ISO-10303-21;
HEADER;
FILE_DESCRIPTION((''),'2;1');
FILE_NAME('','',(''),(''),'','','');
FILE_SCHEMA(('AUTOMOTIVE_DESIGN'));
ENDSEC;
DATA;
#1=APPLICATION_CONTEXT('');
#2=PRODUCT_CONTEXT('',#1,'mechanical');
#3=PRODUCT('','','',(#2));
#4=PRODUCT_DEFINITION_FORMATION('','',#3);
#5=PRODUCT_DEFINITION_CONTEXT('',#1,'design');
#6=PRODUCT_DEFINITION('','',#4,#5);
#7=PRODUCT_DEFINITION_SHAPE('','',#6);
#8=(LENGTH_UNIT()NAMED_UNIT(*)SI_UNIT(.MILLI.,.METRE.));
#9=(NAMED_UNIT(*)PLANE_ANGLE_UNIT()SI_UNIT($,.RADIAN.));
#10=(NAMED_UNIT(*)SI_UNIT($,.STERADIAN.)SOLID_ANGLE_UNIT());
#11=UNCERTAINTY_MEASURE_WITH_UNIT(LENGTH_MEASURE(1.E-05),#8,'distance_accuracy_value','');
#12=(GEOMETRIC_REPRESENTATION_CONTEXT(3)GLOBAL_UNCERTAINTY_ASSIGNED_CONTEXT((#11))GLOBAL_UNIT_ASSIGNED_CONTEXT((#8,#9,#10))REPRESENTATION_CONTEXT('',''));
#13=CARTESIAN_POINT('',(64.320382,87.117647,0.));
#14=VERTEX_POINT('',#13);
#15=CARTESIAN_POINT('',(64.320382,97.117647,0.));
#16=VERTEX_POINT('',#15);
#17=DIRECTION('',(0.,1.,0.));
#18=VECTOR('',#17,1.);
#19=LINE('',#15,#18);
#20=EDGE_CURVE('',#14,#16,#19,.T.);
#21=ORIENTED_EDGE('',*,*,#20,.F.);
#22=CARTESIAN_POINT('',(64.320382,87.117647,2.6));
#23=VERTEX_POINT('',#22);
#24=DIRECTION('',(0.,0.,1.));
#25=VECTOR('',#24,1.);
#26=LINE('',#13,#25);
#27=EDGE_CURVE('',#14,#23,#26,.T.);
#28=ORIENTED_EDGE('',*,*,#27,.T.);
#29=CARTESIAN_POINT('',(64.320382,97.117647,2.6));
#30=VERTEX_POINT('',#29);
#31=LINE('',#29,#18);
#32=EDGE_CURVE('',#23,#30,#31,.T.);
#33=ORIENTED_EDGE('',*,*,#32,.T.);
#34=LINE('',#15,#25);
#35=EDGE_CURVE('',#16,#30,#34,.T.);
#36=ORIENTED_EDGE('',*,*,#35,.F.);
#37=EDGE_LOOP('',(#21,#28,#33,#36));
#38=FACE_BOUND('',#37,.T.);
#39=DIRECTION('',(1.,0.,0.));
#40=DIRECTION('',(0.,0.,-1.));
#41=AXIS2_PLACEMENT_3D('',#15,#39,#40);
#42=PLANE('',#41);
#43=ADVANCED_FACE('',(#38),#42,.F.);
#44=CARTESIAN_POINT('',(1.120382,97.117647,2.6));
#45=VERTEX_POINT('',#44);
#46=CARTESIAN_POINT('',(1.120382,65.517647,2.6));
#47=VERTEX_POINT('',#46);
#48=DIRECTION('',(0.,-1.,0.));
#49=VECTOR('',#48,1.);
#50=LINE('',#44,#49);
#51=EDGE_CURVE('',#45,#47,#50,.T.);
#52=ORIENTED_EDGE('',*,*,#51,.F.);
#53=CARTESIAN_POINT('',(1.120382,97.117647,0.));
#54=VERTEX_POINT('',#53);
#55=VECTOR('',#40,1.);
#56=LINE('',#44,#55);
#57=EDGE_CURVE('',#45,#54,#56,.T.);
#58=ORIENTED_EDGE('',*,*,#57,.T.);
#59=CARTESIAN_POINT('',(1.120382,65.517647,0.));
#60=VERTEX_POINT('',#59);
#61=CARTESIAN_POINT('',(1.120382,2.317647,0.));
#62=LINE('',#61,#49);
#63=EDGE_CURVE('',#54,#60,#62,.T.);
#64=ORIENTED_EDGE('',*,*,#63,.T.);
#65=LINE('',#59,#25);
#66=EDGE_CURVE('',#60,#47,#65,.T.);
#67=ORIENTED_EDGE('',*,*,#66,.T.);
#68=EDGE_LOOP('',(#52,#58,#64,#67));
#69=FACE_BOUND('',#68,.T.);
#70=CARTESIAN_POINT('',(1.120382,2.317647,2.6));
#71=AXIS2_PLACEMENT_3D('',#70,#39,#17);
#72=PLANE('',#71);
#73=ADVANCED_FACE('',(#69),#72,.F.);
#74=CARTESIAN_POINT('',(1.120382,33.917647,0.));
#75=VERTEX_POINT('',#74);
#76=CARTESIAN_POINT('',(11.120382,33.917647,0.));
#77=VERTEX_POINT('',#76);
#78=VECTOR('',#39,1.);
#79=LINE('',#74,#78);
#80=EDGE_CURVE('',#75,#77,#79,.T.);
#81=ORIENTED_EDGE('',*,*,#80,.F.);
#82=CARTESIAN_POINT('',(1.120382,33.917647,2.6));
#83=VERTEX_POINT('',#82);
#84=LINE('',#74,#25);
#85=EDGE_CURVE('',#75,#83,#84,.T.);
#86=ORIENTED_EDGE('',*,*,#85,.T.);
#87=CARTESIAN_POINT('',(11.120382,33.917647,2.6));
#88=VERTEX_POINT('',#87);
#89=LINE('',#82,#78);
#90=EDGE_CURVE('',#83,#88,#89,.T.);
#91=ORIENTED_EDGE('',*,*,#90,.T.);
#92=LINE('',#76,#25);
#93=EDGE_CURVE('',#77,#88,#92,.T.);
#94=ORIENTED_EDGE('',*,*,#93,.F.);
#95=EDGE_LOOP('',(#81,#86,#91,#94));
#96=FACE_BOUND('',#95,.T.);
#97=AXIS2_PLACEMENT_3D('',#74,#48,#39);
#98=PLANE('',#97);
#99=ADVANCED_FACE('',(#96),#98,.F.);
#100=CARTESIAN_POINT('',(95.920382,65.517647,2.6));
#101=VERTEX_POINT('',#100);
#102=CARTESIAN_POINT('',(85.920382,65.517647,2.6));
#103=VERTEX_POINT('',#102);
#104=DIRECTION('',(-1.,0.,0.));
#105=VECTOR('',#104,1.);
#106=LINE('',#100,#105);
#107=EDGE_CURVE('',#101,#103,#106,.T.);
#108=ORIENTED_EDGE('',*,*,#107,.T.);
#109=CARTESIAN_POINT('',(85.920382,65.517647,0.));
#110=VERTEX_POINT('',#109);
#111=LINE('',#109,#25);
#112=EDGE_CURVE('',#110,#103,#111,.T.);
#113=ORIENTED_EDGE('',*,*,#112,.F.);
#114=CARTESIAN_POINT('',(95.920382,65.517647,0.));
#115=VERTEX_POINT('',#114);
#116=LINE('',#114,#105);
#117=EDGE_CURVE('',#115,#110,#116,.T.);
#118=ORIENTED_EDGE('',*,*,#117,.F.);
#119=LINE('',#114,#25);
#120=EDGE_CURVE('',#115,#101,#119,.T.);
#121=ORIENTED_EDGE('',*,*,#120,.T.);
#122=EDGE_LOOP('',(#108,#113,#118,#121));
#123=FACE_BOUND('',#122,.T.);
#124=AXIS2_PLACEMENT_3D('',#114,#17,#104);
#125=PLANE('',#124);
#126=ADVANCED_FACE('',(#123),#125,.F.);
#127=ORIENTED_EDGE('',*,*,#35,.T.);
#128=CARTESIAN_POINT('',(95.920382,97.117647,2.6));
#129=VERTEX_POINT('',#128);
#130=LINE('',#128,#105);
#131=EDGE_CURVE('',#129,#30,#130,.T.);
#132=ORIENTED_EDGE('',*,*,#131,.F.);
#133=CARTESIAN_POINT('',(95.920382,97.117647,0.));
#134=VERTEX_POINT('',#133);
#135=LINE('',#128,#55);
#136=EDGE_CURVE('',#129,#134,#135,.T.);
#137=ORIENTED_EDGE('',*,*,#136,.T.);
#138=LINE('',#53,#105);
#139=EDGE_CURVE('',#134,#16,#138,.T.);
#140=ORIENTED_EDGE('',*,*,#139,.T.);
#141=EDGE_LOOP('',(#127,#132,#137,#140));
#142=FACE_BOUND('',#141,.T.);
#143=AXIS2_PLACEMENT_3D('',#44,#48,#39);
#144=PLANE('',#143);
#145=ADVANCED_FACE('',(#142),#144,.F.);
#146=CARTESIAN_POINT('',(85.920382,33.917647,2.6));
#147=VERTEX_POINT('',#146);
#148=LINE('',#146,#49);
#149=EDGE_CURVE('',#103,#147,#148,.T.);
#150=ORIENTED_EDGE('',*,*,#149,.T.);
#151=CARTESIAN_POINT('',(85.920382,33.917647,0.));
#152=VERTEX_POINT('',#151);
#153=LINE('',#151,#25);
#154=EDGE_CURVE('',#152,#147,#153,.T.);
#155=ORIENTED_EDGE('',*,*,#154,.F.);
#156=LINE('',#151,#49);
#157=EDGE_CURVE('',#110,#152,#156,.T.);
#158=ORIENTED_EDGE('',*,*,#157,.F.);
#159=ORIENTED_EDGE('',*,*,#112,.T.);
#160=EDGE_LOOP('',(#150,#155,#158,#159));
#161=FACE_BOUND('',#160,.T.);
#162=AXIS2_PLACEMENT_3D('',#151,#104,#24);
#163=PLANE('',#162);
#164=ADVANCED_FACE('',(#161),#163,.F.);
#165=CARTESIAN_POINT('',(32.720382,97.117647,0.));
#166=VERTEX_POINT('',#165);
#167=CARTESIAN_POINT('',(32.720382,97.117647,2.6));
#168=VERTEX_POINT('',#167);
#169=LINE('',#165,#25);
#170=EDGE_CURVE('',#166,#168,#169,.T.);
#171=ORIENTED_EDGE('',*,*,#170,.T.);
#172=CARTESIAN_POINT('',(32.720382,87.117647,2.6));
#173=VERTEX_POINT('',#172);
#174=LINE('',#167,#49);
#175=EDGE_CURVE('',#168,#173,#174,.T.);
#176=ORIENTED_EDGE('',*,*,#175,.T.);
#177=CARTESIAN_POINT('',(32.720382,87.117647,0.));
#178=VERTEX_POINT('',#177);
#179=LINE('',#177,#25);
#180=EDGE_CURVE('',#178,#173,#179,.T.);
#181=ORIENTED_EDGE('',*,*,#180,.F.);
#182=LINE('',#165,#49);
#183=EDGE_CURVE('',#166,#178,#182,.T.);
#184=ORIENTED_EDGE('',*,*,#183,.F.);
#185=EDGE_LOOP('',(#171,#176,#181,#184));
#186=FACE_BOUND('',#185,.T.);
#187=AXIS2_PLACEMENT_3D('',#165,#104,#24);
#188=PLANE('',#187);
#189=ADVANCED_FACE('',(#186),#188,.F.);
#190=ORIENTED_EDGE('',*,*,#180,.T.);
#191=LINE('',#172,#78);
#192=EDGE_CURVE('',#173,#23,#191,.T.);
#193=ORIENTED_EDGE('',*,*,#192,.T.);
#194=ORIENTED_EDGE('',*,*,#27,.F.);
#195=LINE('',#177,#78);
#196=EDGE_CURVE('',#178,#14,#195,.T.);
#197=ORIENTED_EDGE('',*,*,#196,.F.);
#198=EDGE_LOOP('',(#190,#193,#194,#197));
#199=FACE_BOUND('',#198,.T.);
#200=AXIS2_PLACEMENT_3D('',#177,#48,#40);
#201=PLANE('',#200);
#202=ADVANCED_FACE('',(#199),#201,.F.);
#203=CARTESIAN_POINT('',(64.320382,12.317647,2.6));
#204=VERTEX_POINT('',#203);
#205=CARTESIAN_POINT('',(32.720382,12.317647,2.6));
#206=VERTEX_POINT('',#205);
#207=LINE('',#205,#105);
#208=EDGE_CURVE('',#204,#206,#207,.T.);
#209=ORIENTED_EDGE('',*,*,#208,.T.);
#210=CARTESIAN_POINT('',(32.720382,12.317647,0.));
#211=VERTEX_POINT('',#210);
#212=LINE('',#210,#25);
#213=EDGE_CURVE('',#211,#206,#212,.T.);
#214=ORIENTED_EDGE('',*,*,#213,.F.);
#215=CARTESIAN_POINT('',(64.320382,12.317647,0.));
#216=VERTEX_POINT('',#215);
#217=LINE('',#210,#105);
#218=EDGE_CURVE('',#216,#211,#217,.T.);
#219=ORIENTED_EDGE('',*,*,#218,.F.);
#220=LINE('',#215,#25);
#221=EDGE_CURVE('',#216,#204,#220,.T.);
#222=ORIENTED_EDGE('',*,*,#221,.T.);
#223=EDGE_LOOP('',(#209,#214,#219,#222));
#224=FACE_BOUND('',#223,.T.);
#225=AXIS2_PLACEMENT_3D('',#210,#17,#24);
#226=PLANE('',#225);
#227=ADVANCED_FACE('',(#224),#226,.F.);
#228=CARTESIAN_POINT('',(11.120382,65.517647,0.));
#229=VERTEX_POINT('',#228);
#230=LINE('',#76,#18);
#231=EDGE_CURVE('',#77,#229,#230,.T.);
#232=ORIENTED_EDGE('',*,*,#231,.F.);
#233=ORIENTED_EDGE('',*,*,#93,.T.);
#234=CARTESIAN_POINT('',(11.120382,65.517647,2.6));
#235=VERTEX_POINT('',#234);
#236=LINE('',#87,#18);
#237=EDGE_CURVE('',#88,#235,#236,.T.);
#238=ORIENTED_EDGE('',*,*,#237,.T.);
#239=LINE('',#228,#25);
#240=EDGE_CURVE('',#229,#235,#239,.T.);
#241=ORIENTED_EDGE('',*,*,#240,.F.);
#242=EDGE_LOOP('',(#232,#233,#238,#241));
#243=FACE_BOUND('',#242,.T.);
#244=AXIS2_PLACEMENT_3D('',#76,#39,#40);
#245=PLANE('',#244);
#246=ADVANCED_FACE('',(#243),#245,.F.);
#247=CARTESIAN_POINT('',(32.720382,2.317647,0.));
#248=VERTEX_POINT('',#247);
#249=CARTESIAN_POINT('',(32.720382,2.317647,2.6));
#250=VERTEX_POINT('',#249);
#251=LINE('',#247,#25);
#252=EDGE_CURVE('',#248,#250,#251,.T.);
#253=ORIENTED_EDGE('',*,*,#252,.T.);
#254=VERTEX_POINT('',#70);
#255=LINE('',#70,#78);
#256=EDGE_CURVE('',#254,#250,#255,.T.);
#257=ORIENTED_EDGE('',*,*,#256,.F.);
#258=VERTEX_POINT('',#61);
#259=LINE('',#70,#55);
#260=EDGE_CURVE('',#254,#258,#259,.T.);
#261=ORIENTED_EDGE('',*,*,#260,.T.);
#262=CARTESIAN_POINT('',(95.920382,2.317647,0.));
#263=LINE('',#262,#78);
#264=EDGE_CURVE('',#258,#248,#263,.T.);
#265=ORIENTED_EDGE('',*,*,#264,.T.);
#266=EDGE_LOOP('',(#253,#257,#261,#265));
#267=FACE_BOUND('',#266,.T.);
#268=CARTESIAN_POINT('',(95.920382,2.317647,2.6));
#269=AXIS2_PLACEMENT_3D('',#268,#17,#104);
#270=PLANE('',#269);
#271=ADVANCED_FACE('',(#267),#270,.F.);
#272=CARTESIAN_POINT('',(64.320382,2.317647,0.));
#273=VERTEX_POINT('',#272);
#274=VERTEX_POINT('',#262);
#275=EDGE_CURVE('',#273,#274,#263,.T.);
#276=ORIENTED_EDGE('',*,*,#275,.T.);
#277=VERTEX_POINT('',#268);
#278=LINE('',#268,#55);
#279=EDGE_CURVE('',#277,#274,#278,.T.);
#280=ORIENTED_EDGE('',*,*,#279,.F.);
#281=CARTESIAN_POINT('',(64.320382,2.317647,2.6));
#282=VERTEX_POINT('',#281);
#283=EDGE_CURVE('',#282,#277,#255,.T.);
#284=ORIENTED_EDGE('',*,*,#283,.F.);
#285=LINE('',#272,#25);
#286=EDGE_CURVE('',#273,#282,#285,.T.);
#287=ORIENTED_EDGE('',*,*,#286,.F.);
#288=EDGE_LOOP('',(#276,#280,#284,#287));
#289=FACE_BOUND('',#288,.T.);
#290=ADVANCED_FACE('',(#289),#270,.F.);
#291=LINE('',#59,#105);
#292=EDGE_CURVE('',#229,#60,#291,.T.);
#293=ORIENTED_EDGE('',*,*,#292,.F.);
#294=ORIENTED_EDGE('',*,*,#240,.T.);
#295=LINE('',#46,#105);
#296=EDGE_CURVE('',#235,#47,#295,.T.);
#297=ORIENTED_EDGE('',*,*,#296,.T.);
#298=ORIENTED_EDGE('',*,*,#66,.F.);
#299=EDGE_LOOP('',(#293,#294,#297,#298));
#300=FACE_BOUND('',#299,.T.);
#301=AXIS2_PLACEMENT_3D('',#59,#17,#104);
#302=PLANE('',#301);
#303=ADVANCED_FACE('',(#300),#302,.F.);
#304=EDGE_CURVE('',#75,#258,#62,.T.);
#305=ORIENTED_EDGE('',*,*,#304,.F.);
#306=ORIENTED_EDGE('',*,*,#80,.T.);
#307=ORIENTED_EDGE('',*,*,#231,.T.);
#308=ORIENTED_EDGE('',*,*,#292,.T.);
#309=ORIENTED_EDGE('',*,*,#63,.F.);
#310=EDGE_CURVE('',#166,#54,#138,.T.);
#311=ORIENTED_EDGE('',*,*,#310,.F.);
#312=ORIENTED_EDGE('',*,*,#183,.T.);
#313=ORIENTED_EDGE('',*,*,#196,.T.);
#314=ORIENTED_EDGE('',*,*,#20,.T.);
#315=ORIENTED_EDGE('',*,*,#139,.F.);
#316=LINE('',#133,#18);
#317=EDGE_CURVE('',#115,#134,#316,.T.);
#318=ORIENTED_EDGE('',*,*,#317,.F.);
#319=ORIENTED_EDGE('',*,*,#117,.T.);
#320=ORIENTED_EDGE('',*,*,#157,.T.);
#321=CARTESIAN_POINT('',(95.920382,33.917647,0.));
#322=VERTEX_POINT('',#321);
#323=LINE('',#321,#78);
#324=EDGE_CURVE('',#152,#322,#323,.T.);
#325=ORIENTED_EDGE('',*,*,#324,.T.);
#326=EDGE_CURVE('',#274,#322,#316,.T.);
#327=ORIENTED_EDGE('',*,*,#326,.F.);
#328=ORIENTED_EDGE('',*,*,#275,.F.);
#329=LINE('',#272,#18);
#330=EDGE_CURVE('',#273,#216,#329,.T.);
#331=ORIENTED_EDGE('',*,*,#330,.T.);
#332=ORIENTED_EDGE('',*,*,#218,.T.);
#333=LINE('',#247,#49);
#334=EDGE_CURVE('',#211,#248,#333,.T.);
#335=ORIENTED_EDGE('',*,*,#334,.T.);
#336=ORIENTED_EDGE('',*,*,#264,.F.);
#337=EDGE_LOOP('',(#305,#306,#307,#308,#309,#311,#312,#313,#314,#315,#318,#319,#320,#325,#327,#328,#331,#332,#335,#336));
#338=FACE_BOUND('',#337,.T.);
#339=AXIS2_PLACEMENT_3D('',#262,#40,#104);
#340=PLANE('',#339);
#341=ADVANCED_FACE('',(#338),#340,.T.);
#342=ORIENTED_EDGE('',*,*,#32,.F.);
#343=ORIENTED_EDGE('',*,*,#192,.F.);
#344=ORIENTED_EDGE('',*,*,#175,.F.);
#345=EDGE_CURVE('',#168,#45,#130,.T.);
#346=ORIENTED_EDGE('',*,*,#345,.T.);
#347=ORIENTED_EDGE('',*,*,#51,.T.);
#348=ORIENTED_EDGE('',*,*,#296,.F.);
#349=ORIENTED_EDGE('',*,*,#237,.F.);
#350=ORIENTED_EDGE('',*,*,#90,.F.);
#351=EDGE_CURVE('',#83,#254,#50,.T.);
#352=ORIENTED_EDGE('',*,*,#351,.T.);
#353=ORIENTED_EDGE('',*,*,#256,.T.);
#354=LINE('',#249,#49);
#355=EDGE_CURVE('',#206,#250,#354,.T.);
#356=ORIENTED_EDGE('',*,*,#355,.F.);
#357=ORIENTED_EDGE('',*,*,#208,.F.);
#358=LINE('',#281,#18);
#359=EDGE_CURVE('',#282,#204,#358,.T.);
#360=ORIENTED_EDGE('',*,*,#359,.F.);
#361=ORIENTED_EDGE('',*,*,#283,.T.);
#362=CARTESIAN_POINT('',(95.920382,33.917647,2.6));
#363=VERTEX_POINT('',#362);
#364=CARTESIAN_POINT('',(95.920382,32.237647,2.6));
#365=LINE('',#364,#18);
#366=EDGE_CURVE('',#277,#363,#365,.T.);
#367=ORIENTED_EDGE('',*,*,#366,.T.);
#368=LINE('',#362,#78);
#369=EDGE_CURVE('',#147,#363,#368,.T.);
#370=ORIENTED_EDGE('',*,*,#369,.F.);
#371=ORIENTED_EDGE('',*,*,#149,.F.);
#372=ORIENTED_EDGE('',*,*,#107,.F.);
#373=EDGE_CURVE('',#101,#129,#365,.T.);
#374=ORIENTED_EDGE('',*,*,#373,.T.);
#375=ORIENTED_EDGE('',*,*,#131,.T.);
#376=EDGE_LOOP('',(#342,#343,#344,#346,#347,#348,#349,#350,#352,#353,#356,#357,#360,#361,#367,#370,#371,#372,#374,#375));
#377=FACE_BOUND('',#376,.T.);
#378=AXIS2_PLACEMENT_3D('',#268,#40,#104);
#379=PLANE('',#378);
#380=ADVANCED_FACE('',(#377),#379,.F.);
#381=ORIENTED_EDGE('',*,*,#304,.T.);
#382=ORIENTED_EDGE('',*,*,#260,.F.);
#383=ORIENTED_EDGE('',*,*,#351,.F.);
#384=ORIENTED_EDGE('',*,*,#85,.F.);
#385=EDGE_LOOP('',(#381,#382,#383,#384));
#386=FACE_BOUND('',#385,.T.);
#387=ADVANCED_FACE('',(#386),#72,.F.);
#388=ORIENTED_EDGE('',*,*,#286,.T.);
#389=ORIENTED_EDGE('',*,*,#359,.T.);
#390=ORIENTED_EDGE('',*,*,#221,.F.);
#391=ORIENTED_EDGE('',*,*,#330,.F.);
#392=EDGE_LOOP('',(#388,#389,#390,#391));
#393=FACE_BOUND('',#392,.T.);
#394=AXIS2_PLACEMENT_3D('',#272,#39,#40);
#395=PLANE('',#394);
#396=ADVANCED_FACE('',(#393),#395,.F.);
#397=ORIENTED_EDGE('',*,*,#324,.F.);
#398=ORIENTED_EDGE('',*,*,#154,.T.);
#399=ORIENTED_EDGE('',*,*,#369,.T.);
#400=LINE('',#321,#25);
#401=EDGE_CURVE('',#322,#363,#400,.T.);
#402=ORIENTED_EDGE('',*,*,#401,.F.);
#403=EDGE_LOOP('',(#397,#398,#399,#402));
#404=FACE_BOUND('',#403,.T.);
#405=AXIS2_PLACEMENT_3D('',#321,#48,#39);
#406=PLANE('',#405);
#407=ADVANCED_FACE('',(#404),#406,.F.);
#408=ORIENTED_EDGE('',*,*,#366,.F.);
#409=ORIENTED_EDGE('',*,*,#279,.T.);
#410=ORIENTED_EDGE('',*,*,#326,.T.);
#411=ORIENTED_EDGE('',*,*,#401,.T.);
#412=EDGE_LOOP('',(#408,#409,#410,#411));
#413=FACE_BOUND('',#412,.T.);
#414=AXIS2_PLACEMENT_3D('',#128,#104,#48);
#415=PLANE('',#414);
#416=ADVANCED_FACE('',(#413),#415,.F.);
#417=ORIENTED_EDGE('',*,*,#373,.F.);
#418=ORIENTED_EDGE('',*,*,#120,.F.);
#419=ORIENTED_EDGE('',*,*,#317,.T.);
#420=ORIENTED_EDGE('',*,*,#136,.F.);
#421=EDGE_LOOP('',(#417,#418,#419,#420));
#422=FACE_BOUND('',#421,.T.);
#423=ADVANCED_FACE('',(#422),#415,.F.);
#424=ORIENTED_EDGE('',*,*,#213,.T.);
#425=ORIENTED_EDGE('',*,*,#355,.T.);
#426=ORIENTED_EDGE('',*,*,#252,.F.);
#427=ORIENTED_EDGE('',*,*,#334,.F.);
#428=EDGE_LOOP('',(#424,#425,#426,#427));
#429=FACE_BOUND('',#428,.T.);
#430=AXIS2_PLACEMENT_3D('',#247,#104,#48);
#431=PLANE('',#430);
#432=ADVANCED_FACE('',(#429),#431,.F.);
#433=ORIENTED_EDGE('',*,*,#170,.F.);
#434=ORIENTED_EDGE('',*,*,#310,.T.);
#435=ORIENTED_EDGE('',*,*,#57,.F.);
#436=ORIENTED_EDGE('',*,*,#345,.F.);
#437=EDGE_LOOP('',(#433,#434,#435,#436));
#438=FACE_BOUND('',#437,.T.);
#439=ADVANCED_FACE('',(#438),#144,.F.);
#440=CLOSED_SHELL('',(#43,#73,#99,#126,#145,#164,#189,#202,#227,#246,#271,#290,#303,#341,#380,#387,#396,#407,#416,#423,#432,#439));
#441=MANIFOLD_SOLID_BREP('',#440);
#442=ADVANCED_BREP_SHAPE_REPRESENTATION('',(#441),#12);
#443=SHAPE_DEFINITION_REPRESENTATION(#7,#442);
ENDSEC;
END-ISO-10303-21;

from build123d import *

# Parameters (mm, degrees)
BOSS_EXTRUDE1_DEPTH = 2.6
SKETCH2_W           = 10
SKETCH2_H           = 31.6
SKETCH2_W_2         = 31.6
SKETCH2_H_2         = 10
CUT_EXTRUDE1_DEPTH  = 3.6


with BuildPart() as part:
    # Sketch1 → Boss-Extrude1 (new body)
    with BuildSketch(Plane.XY):
        Polygon((1.120381921, 67.197647161), (1.120381921, 32.237647161), (1.120381921, 2.317647161), (31.040381921, 2.317647161), (66.000381921, 2.317647161), (95.920381921, 2.317647161), (95.920381921, 32.237647161), (95.920381921, 62.157647161), (95.920381921, 97.117647161), (60.960381921, 97.117647161), (31.040381921, 97.117647161), (1.120381921, 97.117647161), align=None)
    extrude(amount=BOSS_EXTRUDE1_DEPTH)

    # Sketch2 → Cut-Extrude1 (cut, through all)
    with BuildSketch(Plane.XY.offset(2.6)):
        with Locations((6.120381921, 49.717647161)):
            Rectangle(SKETCH2_W, SKETCH2_H)
        with Locations((90.920381921, 49.717647161)):
            Rectangle(SKETCH2_W, SKETCH2_H)
        with Locations((48.520381921, 92.117647161)):
            Rectangle(SKETCH2_W_2, SKETCH2_H_2)
        with Locations((48.520381921, 7.317647161)):
            Rectangle(SKETCH2_W_2, SKETCH2_H_2)
    extrude(amount=-CUT_EXTRUDE1_DEPTH, mode=Mode.SUBTRACT)


solid = part.part
